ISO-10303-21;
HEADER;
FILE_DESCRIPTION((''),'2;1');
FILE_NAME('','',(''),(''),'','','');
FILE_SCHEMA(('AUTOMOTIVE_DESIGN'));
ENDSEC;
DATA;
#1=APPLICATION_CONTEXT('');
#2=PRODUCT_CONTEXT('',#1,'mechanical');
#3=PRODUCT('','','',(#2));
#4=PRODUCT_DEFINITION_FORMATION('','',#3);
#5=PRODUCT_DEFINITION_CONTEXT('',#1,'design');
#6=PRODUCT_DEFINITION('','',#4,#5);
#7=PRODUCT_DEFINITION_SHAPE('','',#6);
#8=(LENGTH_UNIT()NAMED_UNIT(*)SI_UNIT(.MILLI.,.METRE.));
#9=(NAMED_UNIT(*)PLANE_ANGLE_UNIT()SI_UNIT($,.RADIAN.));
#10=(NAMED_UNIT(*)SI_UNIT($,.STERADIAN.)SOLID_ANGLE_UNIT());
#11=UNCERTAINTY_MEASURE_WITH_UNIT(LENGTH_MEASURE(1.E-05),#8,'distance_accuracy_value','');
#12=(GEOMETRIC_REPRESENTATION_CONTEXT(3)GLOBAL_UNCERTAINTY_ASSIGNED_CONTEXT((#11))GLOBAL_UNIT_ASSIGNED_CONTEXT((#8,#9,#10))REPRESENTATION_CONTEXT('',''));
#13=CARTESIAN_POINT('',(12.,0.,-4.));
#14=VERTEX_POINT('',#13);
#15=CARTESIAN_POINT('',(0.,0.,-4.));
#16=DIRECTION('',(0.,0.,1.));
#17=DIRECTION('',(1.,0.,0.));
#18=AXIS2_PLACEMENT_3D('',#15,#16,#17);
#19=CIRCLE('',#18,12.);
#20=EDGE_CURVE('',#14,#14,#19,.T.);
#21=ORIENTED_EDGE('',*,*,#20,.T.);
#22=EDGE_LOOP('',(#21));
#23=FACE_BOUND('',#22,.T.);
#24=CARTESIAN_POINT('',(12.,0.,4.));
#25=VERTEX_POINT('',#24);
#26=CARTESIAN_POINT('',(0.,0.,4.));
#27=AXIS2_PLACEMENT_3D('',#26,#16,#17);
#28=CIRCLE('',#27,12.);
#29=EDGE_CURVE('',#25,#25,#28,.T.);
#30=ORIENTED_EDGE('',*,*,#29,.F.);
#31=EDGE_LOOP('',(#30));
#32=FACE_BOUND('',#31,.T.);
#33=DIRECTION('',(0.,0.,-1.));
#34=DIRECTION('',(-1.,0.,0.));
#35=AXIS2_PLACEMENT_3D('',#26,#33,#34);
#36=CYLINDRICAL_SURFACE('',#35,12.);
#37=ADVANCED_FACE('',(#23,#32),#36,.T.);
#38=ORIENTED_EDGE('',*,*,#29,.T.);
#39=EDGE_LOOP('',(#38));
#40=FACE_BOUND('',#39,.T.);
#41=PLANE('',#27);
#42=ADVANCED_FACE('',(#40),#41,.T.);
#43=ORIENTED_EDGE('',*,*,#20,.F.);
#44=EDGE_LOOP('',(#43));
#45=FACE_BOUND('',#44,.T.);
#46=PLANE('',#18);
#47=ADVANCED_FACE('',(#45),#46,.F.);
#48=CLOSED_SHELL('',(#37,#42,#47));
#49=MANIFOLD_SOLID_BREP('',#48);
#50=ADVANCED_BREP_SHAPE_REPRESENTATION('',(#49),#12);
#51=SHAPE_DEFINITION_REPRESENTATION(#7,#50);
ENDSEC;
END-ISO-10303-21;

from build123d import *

# Parameters (mm, degrees)
SKETCH_1_R      = 12
EXTRUDE_1_DEPTH = 4


with BuildPart() as part:
    # 草图1 → 凸台-拉伸1 (new, symmetric)
    with BuildSketch(Plane.XY):
        Circle(SKETCH_1_R)
    extrude(amount=EXTRUDE_1_DEPTH, both=True)


solid = part.part
